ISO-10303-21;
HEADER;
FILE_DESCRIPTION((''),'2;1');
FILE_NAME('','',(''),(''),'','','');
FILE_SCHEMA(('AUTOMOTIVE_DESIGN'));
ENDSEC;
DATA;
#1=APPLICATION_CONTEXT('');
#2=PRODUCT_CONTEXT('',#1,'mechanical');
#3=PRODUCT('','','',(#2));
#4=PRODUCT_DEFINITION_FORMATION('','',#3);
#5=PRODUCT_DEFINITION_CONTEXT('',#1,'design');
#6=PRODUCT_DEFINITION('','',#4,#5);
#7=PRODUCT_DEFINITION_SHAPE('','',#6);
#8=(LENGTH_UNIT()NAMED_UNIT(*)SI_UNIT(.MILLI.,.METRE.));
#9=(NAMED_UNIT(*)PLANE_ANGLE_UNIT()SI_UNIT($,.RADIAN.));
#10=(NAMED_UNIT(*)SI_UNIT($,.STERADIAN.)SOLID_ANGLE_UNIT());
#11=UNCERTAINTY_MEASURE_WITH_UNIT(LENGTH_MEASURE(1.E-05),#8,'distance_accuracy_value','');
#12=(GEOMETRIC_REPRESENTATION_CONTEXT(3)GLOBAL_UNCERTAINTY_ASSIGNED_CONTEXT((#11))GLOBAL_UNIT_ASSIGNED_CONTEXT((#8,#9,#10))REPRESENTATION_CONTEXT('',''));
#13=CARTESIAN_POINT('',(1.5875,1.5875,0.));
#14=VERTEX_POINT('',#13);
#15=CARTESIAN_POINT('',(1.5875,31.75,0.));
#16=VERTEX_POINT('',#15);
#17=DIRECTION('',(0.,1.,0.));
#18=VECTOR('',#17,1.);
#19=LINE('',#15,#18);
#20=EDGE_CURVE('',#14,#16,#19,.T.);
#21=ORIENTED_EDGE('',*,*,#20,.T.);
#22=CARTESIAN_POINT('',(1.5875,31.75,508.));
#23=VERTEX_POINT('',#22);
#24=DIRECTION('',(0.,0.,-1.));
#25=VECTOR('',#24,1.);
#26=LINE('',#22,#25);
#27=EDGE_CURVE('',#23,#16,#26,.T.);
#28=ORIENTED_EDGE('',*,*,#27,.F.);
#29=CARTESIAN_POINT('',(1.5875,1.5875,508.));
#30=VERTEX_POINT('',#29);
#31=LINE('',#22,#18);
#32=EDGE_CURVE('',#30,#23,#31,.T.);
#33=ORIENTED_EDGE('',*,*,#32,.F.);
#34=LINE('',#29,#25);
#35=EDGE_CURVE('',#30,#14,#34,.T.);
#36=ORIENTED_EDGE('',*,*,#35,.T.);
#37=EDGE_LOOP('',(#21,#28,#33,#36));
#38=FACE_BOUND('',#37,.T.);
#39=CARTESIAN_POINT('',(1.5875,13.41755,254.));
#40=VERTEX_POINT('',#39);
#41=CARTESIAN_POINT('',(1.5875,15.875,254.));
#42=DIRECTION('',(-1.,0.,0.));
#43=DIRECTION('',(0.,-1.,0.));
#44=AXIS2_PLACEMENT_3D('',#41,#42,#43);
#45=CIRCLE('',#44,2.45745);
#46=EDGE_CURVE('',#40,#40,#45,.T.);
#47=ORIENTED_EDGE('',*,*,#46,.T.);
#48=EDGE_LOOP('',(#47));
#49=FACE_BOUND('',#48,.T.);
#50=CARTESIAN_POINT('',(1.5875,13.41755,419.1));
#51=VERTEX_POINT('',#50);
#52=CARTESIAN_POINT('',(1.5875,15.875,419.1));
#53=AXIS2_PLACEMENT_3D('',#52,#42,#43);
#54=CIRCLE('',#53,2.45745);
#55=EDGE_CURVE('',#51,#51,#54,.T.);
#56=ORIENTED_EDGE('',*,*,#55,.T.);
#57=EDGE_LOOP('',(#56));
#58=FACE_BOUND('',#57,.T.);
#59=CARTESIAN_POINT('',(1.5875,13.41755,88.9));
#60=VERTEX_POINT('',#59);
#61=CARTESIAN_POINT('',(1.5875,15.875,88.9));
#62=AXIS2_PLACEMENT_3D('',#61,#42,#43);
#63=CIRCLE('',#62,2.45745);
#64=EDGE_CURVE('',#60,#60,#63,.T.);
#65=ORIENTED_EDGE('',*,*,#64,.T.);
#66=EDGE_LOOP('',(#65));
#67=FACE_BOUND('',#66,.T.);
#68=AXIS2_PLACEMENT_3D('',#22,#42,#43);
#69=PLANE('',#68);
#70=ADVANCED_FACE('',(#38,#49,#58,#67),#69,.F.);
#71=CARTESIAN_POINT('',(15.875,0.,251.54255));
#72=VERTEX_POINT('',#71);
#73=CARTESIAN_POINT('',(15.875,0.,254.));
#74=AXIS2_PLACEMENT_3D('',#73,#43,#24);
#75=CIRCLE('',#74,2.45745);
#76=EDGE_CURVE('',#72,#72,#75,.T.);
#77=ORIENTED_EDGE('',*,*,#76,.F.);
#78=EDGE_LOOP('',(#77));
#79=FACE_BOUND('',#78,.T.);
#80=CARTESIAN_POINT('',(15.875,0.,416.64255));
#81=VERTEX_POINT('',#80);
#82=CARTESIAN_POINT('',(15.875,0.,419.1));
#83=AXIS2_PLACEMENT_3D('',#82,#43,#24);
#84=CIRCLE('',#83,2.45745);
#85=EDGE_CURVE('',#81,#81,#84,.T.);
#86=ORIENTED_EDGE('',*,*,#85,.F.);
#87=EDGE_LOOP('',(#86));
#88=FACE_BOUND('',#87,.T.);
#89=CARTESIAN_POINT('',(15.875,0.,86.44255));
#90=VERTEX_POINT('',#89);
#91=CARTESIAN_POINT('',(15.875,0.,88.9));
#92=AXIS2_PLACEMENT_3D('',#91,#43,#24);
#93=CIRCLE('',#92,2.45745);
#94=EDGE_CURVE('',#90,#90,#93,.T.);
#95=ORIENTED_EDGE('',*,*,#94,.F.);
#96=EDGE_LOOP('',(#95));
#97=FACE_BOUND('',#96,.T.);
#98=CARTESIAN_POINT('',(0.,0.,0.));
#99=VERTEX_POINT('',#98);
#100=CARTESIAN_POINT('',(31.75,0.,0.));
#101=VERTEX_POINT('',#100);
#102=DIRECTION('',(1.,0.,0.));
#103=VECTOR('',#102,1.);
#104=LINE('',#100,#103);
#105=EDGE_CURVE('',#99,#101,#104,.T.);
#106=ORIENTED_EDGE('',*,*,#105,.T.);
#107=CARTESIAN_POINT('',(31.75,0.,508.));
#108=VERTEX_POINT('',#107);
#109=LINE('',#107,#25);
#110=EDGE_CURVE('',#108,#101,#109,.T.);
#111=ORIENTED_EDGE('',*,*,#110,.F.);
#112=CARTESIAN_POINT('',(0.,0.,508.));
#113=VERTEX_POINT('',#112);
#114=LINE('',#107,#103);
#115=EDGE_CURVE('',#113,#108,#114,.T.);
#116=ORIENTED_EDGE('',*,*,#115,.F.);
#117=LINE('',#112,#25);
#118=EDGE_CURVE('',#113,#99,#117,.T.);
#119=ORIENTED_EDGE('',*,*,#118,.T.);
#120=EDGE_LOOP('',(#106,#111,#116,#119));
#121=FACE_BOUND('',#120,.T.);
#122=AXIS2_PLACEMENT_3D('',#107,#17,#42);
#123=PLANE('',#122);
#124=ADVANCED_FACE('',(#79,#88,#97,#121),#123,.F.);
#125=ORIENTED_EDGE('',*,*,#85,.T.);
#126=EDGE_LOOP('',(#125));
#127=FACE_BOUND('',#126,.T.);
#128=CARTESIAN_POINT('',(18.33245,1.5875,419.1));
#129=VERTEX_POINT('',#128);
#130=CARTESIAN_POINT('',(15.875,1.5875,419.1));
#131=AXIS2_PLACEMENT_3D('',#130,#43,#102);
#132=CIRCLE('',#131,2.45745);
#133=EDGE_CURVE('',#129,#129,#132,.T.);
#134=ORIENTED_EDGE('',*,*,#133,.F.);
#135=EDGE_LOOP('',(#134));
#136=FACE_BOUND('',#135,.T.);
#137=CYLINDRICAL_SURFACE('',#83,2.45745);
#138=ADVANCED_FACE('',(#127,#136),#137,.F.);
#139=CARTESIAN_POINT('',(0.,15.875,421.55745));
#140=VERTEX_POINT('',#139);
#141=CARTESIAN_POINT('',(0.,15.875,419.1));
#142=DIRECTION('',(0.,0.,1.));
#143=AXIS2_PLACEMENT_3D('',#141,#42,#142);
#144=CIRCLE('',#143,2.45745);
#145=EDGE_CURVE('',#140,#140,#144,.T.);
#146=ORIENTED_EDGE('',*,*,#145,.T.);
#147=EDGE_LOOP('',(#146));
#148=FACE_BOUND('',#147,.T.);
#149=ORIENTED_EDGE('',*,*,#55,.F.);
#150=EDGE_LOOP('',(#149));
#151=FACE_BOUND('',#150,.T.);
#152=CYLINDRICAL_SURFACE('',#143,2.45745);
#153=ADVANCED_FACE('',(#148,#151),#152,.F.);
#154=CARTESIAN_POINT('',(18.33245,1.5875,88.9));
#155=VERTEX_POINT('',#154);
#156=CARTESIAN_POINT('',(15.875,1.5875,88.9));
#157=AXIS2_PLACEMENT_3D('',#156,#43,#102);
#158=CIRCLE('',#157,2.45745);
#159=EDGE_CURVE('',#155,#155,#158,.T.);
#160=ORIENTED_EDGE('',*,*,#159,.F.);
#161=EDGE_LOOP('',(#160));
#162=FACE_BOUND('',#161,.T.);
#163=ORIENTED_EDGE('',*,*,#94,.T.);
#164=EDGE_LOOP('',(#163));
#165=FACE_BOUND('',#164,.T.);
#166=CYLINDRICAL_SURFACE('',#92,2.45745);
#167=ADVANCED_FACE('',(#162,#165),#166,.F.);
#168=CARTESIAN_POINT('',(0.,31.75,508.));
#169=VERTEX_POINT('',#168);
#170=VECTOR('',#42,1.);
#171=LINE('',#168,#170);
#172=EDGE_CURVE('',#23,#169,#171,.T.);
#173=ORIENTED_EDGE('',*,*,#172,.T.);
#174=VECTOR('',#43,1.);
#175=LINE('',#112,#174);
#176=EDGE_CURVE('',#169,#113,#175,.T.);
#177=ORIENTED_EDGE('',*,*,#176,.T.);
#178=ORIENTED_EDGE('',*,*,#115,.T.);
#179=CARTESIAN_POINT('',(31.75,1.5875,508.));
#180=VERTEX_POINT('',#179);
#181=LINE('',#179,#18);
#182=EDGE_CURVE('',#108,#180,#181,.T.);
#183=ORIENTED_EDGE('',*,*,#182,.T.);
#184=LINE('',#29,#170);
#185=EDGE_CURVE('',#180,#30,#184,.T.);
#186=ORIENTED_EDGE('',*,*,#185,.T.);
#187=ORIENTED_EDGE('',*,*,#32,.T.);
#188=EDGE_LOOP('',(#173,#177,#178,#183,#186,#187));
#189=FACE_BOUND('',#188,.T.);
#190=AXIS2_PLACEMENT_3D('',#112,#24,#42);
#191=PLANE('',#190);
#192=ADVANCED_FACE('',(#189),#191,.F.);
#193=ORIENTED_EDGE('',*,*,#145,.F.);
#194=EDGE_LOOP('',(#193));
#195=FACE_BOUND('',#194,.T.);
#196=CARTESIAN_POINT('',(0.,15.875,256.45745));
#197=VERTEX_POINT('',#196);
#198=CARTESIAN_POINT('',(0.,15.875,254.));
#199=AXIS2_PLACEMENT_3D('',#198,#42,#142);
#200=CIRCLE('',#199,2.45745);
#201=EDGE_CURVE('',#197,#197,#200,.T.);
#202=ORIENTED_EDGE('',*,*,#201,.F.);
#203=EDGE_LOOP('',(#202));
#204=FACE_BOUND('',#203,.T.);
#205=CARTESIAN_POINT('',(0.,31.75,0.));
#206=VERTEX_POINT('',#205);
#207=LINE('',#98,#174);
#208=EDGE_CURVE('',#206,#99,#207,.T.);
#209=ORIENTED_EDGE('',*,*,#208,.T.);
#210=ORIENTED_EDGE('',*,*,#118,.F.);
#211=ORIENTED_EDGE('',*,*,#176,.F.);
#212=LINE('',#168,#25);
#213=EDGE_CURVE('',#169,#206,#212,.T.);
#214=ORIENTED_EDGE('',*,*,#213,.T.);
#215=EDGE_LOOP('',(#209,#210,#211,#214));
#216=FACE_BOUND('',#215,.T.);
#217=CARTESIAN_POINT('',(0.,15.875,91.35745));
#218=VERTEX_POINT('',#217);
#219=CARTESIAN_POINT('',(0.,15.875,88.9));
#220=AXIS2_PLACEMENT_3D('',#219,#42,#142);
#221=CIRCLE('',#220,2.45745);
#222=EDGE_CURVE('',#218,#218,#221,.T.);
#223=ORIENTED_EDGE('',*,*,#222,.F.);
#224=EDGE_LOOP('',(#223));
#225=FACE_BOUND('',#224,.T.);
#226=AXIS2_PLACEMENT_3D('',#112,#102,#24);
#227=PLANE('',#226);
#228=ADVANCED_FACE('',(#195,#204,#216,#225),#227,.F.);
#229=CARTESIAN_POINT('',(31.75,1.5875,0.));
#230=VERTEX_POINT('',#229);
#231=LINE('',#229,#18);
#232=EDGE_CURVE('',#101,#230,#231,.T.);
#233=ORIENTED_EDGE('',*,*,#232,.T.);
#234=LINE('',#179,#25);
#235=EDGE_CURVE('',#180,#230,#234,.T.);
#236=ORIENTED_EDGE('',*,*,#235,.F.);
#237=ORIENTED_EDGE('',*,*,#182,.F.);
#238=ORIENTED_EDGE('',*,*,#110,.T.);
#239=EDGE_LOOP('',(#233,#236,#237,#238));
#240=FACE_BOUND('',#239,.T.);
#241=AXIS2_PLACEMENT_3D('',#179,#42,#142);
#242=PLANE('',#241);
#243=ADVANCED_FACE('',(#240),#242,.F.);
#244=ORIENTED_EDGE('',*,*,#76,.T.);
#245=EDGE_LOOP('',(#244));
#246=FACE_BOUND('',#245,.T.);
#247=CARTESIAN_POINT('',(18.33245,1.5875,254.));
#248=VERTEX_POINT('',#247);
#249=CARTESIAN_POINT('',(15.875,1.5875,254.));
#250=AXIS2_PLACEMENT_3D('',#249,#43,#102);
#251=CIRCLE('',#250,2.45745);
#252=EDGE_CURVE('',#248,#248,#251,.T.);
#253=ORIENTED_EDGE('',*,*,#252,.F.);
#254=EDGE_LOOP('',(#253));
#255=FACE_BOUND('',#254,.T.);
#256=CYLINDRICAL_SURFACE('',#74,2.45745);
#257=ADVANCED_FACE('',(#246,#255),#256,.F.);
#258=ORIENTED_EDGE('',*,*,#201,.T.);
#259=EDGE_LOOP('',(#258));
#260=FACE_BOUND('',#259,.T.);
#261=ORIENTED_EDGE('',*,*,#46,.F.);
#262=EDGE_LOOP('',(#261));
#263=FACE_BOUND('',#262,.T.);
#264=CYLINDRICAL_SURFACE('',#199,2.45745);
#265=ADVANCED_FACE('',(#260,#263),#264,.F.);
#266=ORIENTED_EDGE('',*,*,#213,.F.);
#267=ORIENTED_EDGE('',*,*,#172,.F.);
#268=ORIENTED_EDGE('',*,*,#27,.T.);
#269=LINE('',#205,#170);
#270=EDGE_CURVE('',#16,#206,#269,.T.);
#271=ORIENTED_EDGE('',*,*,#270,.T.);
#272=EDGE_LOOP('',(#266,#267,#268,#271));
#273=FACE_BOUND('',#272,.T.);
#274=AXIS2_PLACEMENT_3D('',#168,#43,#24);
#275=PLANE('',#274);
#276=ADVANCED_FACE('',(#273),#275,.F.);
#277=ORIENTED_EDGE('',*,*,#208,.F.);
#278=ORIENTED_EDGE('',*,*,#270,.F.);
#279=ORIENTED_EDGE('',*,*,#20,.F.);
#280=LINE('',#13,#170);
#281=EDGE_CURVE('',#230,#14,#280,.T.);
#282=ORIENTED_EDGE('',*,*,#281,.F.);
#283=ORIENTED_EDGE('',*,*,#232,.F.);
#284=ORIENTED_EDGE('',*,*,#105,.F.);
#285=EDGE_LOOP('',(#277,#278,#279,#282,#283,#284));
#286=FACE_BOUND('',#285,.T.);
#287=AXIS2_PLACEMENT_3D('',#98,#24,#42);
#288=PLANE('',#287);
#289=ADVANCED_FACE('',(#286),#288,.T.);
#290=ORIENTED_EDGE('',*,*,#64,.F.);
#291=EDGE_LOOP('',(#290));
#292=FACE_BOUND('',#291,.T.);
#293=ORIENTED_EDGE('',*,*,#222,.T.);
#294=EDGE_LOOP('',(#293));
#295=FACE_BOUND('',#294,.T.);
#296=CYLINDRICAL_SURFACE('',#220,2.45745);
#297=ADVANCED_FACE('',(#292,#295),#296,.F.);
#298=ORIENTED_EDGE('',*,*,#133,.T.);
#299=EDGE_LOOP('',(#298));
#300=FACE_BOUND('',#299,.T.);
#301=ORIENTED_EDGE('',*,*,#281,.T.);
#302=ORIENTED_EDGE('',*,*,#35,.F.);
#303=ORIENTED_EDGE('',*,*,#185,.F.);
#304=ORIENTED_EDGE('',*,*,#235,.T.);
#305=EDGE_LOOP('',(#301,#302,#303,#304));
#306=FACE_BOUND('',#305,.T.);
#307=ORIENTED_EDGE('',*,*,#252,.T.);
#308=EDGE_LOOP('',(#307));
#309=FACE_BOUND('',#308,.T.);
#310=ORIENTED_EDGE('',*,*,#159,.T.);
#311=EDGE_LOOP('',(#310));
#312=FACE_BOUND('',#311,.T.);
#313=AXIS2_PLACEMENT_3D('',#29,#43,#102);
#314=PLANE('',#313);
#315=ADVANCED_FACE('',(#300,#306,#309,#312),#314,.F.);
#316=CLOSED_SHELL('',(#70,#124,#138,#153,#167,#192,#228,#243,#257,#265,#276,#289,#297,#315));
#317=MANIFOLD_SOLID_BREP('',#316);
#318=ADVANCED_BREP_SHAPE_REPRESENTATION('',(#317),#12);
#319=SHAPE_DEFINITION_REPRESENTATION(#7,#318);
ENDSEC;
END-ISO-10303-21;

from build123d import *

# Parameters (mm, degrees)
BOSS_EXTRUDE1_DEPTH          = 508
F_10_0_1935_DIAMETER_HOLE2_D = 4.9149
F_10_0_1935_DIAMETER_HOLE4_D = 4.9149


with BuildPart() as part:
    # Sketch2 → Boss-Extrude1 (new body)
    with BuildSketch(Plane.XY):
        Polygon((0, 0), (0, 31.75), (1.5875, 31.75), (1.5875, 1.5875), (31.75, 1.5875), (31.75, 0), align=None)
    extrude(amount=BOSS_EXTRUDE1_DEPTH)

    # #10 (0.1935) Diameter Hole2 (through all)
    with Locations(Plane.ZY):
        with Locations((419.1, 15.875), (88.9, 15.875), (254, 15.875)):
            Hole(F_10_0_1935_DIAMETER_HOLE2_D / 2)

    # #10 (0.1935) Diameter Hole4 (through all)
    with Locations(Plane(origin=(0, 0, 0), x_dir=(-1, 0, 0), z_dir=(0, -1, 0))):
        with Locations((-15.875, -419.1), (-15.875, -254), (-15.875, -88.9)):
            Hole(F_10_0_1935_DIAMETER_HOLE4_D / 2)


solid = part.part
